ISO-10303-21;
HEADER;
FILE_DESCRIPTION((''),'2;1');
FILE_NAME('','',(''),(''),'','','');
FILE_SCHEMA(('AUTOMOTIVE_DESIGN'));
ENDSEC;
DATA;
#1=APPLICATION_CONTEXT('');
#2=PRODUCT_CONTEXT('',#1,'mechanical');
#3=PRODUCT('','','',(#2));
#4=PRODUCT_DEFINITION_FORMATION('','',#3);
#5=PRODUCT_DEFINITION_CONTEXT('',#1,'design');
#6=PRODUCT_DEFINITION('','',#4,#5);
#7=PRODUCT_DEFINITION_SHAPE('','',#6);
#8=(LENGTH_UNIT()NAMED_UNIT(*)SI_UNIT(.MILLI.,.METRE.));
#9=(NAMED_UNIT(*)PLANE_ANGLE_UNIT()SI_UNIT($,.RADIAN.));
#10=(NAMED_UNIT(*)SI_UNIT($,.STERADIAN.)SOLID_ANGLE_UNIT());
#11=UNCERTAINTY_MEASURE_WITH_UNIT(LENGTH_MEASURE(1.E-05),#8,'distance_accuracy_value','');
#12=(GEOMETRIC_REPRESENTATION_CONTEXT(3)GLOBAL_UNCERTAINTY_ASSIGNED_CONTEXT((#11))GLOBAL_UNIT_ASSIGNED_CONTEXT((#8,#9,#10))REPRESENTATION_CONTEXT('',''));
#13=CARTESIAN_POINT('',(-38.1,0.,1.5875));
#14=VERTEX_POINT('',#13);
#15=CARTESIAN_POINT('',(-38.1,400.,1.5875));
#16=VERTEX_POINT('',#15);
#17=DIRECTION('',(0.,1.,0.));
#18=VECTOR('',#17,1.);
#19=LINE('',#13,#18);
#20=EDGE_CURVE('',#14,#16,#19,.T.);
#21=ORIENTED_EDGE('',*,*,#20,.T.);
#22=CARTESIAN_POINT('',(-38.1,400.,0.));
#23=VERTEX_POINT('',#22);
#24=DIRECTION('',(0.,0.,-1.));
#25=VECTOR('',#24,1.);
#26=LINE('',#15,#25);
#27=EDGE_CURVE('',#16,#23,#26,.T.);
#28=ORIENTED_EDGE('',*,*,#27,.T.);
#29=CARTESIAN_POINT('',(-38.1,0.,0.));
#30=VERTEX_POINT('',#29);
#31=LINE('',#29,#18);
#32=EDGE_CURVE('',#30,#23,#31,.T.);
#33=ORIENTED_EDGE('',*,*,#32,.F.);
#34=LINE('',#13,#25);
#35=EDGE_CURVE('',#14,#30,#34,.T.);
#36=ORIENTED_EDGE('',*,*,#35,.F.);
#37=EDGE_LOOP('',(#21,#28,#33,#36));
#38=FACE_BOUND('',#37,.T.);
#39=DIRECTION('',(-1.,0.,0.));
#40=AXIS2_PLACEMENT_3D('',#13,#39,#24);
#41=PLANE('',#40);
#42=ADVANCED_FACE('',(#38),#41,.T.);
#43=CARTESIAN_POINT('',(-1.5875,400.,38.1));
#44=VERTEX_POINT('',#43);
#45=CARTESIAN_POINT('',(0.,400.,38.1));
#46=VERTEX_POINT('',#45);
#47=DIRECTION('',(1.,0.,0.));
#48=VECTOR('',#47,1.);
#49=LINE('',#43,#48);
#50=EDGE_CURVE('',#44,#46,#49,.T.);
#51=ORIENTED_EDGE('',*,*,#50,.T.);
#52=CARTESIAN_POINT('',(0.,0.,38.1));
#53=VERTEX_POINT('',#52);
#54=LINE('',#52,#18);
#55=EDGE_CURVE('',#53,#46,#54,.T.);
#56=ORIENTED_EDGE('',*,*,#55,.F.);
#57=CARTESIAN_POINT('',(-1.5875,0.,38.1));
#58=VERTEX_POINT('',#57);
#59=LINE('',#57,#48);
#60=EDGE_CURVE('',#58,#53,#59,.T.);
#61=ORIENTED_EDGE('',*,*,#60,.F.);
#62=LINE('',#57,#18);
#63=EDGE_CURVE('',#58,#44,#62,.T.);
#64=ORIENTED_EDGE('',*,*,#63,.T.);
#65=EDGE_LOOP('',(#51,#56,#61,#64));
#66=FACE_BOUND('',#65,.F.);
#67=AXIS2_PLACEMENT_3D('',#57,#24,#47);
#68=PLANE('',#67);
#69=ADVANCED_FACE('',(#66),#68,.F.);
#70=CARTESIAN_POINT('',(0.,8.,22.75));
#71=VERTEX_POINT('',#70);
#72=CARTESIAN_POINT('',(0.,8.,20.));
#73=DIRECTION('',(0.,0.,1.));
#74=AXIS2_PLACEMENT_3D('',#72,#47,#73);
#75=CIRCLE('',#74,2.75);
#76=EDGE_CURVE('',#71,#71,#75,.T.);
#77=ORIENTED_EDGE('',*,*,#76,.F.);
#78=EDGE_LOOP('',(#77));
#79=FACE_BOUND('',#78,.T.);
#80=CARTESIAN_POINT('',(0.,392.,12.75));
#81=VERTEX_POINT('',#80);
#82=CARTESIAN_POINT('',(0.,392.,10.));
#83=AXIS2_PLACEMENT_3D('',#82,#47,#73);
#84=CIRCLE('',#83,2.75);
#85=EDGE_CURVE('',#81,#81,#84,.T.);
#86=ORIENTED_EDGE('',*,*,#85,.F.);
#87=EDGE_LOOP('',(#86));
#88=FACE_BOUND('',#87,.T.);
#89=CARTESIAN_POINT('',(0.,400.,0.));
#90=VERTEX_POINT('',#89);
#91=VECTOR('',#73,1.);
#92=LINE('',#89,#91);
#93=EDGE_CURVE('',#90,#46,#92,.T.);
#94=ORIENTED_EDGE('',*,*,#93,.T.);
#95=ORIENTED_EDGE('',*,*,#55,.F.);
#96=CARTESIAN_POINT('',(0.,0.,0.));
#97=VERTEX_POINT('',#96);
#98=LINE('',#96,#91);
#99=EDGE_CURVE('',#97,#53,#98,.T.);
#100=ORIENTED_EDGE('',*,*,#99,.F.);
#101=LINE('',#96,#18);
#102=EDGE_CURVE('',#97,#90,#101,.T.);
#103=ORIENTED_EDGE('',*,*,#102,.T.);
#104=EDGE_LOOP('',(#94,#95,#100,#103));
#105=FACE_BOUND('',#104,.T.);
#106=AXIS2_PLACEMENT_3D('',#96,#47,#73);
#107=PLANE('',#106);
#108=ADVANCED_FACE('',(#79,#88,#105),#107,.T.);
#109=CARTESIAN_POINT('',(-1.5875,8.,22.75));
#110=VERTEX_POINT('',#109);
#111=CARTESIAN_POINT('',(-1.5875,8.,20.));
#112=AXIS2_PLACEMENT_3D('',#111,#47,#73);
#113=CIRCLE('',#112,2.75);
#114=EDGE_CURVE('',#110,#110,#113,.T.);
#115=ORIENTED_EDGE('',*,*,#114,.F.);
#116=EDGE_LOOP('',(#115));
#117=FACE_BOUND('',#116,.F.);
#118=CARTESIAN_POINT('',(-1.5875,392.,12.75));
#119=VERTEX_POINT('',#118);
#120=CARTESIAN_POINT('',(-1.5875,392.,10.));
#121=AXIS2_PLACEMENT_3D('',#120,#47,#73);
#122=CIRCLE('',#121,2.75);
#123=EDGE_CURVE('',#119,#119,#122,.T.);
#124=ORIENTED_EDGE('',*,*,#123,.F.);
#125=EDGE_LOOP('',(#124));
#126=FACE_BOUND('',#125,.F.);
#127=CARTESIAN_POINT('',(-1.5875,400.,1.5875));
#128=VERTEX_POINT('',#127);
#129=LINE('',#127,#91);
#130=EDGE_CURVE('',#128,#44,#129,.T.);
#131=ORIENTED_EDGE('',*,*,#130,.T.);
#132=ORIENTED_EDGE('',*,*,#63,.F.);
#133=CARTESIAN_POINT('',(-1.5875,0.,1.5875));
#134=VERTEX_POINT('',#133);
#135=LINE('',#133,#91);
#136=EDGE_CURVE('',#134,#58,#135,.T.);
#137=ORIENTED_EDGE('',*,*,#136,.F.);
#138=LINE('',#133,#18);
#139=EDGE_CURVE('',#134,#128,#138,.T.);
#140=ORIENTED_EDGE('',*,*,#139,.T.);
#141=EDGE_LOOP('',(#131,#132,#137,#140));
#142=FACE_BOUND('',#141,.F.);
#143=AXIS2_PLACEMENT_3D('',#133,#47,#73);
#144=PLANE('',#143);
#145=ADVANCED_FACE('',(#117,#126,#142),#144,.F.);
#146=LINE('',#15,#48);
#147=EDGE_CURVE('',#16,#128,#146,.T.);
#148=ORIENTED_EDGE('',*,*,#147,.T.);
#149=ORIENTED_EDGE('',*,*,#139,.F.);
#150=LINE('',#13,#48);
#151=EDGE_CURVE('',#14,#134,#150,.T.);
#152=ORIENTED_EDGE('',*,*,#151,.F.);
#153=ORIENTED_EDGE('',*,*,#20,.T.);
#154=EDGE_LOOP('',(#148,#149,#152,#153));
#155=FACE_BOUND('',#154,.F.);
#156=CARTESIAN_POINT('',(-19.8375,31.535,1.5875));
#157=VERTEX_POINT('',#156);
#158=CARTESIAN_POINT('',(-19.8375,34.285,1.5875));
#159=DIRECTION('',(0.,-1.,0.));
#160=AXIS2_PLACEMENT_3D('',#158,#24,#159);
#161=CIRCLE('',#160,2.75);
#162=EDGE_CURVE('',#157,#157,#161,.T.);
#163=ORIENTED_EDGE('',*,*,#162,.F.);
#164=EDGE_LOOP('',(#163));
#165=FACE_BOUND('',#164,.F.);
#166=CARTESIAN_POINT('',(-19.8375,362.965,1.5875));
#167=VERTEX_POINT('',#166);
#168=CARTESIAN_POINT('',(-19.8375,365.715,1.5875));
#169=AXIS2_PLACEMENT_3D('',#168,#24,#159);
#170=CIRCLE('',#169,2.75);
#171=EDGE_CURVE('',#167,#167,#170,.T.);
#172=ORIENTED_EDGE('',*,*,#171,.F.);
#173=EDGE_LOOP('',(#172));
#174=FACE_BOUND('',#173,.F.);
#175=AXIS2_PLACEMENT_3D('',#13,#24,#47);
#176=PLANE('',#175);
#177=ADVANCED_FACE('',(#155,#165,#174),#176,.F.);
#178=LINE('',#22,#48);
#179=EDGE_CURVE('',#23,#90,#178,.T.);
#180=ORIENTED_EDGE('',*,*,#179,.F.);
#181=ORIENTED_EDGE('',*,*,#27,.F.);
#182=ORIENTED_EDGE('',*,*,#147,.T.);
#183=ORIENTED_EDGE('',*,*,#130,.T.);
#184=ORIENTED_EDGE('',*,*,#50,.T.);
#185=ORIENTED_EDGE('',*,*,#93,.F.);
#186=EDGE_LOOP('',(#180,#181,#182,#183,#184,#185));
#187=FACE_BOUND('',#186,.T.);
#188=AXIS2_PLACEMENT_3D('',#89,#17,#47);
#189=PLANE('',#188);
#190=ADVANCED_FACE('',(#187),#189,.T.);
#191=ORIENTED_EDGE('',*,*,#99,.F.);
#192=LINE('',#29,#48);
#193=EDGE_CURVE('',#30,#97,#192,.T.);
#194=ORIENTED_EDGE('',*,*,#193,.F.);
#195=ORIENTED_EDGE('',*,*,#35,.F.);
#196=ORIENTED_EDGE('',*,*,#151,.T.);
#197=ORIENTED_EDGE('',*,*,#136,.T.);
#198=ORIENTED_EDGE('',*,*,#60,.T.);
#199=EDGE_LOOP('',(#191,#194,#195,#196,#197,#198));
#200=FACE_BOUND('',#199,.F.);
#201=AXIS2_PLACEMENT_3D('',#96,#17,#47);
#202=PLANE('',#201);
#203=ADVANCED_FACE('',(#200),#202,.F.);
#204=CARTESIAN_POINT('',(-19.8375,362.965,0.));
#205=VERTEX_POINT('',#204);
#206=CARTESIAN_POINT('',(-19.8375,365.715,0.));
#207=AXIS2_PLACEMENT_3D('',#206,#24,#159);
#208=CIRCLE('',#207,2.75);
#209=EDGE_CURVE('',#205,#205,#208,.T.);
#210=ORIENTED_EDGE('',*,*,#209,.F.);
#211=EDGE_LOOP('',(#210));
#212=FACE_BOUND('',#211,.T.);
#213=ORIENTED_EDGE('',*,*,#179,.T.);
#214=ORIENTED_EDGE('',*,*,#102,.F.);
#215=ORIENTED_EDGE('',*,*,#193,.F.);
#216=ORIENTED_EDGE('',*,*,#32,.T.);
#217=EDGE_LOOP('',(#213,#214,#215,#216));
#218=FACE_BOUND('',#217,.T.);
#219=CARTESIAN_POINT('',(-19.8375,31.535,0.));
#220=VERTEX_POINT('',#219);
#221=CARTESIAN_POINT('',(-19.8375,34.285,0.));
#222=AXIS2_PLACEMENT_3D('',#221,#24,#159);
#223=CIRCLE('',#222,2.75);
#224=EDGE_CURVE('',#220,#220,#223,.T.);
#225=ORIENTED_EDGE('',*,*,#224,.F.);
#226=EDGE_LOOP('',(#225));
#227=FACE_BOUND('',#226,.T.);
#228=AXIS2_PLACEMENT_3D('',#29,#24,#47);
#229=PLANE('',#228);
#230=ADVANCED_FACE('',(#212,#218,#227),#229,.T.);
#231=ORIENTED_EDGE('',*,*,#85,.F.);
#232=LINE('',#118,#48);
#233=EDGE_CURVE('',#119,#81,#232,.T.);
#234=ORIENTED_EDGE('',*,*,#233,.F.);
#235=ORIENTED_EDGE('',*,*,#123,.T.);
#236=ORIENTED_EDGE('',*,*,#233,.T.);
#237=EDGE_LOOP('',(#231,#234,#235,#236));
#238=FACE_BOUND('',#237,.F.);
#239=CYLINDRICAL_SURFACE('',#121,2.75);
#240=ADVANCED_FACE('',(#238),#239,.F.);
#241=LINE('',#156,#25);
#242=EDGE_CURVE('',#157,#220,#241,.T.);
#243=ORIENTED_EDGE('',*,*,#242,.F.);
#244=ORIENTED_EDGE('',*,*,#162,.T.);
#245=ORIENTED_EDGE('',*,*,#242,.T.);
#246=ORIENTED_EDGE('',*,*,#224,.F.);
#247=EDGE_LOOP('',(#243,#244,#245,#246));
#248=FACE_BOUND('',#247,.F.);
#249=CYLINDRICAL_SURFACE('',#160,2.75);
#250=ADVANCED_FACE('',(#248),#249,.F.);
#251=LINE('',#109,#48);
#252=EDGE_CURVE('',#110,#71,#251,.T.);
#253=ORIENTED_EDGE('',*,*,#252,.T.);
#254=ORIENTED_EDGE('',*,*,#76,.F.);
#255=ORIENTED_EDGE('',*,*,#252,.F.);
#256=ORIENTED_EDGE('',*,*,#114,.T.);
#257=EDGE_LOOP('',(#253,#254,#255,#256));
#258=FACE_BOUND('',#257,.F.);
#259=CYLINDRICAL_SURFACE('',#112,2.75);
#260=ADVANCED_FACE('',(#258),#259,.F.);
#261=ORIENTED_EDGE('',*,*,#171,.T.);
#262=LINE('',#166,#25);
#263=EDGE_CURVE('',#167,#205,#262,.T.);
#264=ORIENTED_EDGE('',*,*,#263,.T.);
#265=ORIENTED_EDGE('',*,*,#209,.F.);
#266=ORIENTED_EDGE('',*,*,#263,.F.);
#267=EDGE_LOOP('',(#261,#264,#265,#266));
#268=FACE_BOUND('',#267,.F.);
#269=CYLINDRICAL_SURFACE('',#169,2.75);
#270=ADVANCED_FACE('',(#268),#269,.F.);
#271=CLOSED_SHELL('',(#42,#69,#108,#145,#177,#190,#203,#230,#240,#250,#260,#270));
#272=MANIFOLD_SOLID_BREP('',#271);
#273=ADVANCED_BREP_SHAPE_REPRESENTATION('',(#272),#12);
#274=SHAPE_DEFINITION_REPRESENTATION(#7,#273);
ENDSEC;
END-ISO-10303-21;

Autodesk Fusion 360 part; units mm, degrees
sketch "Sketch1" plane through (0, 0, 0) normal (0, 1, 0) x (1, 0, 0)
  line L0 (-38.1, 0) -> (0, 0)
  line L1 (0, 0) -> (0, -38.1)
  line L2 (-38.1, -1.5875) -> (-1.5875, -1.5875)
  line L3 (-1.5875, -1.5875) -> (-1.5875, -38.1)
  line L4 (-1.5875, -38.1) -> (0, -38.1)
  line L5 (-38.1, -1.5875) -> (-38.1, 0)
  dimension "d5" = 38.1
  dimension "d6" = 1.5875
extrude "Extrude1" add sketch "Sketch1" along normal blind 400
sketch "Sketch3" plane through (-1.5875, 0, 0) normal (-1, 0, 0) x (0, -1, 0)
  line L0 (0, 1.5875) -> (0, 38.1)
  line L1 (0, 38.1) -> (-400, 38.1)
  line L2 (-400, 38.1) -> (-400, 1.5875)
  line L3 (-400, 1.5875) -> (0, 1.5875)
  circle A0 centre (-392, 10) radius 4.9317
  circle A1 centre (-8, 20) radius 5
  line L4 (0, 0) -> (-400, 0)
  dimension "d15" = 10
  dimension "d16" = 8
  dimension "d17" = 8
  dimension "d18" = 20
hole "Hole2" at (-1.5875, 8, 20) at (-1.5875, 392, 10) direction (1, 0, 0) diameter 5.5 depth 7 tip angle 118
sketch "Sketch4" plane through (0, 0, 1.5875) normal (0, 0, 1) x (-1, 0, 0)
  line L0 (38.1, 0) -> (1.5875, 0)
  line L1 (1.5875, 0) -> (1.5875, -400)
  line L2 (1.5875, -400) -> (38.1, -400)
  line L3 (38.1, -400) -> (38.1, 0)
  circle A0 centre (19.8375, -34.285) radius 6.9462
  circle A1 centre (19.8375, -365.715) radius 6.9462
  dimension "d22" = 34.285
  dimension "d23" = 34.285
  dimension "d24" = 18.25
hole "Hole3" at (-19.8375, 34.285, 1.5875) at (-19.8375, 365.715, 1.5875) direction (0, 0, -1) diameter 5.5 depth 7 tip angle 118
